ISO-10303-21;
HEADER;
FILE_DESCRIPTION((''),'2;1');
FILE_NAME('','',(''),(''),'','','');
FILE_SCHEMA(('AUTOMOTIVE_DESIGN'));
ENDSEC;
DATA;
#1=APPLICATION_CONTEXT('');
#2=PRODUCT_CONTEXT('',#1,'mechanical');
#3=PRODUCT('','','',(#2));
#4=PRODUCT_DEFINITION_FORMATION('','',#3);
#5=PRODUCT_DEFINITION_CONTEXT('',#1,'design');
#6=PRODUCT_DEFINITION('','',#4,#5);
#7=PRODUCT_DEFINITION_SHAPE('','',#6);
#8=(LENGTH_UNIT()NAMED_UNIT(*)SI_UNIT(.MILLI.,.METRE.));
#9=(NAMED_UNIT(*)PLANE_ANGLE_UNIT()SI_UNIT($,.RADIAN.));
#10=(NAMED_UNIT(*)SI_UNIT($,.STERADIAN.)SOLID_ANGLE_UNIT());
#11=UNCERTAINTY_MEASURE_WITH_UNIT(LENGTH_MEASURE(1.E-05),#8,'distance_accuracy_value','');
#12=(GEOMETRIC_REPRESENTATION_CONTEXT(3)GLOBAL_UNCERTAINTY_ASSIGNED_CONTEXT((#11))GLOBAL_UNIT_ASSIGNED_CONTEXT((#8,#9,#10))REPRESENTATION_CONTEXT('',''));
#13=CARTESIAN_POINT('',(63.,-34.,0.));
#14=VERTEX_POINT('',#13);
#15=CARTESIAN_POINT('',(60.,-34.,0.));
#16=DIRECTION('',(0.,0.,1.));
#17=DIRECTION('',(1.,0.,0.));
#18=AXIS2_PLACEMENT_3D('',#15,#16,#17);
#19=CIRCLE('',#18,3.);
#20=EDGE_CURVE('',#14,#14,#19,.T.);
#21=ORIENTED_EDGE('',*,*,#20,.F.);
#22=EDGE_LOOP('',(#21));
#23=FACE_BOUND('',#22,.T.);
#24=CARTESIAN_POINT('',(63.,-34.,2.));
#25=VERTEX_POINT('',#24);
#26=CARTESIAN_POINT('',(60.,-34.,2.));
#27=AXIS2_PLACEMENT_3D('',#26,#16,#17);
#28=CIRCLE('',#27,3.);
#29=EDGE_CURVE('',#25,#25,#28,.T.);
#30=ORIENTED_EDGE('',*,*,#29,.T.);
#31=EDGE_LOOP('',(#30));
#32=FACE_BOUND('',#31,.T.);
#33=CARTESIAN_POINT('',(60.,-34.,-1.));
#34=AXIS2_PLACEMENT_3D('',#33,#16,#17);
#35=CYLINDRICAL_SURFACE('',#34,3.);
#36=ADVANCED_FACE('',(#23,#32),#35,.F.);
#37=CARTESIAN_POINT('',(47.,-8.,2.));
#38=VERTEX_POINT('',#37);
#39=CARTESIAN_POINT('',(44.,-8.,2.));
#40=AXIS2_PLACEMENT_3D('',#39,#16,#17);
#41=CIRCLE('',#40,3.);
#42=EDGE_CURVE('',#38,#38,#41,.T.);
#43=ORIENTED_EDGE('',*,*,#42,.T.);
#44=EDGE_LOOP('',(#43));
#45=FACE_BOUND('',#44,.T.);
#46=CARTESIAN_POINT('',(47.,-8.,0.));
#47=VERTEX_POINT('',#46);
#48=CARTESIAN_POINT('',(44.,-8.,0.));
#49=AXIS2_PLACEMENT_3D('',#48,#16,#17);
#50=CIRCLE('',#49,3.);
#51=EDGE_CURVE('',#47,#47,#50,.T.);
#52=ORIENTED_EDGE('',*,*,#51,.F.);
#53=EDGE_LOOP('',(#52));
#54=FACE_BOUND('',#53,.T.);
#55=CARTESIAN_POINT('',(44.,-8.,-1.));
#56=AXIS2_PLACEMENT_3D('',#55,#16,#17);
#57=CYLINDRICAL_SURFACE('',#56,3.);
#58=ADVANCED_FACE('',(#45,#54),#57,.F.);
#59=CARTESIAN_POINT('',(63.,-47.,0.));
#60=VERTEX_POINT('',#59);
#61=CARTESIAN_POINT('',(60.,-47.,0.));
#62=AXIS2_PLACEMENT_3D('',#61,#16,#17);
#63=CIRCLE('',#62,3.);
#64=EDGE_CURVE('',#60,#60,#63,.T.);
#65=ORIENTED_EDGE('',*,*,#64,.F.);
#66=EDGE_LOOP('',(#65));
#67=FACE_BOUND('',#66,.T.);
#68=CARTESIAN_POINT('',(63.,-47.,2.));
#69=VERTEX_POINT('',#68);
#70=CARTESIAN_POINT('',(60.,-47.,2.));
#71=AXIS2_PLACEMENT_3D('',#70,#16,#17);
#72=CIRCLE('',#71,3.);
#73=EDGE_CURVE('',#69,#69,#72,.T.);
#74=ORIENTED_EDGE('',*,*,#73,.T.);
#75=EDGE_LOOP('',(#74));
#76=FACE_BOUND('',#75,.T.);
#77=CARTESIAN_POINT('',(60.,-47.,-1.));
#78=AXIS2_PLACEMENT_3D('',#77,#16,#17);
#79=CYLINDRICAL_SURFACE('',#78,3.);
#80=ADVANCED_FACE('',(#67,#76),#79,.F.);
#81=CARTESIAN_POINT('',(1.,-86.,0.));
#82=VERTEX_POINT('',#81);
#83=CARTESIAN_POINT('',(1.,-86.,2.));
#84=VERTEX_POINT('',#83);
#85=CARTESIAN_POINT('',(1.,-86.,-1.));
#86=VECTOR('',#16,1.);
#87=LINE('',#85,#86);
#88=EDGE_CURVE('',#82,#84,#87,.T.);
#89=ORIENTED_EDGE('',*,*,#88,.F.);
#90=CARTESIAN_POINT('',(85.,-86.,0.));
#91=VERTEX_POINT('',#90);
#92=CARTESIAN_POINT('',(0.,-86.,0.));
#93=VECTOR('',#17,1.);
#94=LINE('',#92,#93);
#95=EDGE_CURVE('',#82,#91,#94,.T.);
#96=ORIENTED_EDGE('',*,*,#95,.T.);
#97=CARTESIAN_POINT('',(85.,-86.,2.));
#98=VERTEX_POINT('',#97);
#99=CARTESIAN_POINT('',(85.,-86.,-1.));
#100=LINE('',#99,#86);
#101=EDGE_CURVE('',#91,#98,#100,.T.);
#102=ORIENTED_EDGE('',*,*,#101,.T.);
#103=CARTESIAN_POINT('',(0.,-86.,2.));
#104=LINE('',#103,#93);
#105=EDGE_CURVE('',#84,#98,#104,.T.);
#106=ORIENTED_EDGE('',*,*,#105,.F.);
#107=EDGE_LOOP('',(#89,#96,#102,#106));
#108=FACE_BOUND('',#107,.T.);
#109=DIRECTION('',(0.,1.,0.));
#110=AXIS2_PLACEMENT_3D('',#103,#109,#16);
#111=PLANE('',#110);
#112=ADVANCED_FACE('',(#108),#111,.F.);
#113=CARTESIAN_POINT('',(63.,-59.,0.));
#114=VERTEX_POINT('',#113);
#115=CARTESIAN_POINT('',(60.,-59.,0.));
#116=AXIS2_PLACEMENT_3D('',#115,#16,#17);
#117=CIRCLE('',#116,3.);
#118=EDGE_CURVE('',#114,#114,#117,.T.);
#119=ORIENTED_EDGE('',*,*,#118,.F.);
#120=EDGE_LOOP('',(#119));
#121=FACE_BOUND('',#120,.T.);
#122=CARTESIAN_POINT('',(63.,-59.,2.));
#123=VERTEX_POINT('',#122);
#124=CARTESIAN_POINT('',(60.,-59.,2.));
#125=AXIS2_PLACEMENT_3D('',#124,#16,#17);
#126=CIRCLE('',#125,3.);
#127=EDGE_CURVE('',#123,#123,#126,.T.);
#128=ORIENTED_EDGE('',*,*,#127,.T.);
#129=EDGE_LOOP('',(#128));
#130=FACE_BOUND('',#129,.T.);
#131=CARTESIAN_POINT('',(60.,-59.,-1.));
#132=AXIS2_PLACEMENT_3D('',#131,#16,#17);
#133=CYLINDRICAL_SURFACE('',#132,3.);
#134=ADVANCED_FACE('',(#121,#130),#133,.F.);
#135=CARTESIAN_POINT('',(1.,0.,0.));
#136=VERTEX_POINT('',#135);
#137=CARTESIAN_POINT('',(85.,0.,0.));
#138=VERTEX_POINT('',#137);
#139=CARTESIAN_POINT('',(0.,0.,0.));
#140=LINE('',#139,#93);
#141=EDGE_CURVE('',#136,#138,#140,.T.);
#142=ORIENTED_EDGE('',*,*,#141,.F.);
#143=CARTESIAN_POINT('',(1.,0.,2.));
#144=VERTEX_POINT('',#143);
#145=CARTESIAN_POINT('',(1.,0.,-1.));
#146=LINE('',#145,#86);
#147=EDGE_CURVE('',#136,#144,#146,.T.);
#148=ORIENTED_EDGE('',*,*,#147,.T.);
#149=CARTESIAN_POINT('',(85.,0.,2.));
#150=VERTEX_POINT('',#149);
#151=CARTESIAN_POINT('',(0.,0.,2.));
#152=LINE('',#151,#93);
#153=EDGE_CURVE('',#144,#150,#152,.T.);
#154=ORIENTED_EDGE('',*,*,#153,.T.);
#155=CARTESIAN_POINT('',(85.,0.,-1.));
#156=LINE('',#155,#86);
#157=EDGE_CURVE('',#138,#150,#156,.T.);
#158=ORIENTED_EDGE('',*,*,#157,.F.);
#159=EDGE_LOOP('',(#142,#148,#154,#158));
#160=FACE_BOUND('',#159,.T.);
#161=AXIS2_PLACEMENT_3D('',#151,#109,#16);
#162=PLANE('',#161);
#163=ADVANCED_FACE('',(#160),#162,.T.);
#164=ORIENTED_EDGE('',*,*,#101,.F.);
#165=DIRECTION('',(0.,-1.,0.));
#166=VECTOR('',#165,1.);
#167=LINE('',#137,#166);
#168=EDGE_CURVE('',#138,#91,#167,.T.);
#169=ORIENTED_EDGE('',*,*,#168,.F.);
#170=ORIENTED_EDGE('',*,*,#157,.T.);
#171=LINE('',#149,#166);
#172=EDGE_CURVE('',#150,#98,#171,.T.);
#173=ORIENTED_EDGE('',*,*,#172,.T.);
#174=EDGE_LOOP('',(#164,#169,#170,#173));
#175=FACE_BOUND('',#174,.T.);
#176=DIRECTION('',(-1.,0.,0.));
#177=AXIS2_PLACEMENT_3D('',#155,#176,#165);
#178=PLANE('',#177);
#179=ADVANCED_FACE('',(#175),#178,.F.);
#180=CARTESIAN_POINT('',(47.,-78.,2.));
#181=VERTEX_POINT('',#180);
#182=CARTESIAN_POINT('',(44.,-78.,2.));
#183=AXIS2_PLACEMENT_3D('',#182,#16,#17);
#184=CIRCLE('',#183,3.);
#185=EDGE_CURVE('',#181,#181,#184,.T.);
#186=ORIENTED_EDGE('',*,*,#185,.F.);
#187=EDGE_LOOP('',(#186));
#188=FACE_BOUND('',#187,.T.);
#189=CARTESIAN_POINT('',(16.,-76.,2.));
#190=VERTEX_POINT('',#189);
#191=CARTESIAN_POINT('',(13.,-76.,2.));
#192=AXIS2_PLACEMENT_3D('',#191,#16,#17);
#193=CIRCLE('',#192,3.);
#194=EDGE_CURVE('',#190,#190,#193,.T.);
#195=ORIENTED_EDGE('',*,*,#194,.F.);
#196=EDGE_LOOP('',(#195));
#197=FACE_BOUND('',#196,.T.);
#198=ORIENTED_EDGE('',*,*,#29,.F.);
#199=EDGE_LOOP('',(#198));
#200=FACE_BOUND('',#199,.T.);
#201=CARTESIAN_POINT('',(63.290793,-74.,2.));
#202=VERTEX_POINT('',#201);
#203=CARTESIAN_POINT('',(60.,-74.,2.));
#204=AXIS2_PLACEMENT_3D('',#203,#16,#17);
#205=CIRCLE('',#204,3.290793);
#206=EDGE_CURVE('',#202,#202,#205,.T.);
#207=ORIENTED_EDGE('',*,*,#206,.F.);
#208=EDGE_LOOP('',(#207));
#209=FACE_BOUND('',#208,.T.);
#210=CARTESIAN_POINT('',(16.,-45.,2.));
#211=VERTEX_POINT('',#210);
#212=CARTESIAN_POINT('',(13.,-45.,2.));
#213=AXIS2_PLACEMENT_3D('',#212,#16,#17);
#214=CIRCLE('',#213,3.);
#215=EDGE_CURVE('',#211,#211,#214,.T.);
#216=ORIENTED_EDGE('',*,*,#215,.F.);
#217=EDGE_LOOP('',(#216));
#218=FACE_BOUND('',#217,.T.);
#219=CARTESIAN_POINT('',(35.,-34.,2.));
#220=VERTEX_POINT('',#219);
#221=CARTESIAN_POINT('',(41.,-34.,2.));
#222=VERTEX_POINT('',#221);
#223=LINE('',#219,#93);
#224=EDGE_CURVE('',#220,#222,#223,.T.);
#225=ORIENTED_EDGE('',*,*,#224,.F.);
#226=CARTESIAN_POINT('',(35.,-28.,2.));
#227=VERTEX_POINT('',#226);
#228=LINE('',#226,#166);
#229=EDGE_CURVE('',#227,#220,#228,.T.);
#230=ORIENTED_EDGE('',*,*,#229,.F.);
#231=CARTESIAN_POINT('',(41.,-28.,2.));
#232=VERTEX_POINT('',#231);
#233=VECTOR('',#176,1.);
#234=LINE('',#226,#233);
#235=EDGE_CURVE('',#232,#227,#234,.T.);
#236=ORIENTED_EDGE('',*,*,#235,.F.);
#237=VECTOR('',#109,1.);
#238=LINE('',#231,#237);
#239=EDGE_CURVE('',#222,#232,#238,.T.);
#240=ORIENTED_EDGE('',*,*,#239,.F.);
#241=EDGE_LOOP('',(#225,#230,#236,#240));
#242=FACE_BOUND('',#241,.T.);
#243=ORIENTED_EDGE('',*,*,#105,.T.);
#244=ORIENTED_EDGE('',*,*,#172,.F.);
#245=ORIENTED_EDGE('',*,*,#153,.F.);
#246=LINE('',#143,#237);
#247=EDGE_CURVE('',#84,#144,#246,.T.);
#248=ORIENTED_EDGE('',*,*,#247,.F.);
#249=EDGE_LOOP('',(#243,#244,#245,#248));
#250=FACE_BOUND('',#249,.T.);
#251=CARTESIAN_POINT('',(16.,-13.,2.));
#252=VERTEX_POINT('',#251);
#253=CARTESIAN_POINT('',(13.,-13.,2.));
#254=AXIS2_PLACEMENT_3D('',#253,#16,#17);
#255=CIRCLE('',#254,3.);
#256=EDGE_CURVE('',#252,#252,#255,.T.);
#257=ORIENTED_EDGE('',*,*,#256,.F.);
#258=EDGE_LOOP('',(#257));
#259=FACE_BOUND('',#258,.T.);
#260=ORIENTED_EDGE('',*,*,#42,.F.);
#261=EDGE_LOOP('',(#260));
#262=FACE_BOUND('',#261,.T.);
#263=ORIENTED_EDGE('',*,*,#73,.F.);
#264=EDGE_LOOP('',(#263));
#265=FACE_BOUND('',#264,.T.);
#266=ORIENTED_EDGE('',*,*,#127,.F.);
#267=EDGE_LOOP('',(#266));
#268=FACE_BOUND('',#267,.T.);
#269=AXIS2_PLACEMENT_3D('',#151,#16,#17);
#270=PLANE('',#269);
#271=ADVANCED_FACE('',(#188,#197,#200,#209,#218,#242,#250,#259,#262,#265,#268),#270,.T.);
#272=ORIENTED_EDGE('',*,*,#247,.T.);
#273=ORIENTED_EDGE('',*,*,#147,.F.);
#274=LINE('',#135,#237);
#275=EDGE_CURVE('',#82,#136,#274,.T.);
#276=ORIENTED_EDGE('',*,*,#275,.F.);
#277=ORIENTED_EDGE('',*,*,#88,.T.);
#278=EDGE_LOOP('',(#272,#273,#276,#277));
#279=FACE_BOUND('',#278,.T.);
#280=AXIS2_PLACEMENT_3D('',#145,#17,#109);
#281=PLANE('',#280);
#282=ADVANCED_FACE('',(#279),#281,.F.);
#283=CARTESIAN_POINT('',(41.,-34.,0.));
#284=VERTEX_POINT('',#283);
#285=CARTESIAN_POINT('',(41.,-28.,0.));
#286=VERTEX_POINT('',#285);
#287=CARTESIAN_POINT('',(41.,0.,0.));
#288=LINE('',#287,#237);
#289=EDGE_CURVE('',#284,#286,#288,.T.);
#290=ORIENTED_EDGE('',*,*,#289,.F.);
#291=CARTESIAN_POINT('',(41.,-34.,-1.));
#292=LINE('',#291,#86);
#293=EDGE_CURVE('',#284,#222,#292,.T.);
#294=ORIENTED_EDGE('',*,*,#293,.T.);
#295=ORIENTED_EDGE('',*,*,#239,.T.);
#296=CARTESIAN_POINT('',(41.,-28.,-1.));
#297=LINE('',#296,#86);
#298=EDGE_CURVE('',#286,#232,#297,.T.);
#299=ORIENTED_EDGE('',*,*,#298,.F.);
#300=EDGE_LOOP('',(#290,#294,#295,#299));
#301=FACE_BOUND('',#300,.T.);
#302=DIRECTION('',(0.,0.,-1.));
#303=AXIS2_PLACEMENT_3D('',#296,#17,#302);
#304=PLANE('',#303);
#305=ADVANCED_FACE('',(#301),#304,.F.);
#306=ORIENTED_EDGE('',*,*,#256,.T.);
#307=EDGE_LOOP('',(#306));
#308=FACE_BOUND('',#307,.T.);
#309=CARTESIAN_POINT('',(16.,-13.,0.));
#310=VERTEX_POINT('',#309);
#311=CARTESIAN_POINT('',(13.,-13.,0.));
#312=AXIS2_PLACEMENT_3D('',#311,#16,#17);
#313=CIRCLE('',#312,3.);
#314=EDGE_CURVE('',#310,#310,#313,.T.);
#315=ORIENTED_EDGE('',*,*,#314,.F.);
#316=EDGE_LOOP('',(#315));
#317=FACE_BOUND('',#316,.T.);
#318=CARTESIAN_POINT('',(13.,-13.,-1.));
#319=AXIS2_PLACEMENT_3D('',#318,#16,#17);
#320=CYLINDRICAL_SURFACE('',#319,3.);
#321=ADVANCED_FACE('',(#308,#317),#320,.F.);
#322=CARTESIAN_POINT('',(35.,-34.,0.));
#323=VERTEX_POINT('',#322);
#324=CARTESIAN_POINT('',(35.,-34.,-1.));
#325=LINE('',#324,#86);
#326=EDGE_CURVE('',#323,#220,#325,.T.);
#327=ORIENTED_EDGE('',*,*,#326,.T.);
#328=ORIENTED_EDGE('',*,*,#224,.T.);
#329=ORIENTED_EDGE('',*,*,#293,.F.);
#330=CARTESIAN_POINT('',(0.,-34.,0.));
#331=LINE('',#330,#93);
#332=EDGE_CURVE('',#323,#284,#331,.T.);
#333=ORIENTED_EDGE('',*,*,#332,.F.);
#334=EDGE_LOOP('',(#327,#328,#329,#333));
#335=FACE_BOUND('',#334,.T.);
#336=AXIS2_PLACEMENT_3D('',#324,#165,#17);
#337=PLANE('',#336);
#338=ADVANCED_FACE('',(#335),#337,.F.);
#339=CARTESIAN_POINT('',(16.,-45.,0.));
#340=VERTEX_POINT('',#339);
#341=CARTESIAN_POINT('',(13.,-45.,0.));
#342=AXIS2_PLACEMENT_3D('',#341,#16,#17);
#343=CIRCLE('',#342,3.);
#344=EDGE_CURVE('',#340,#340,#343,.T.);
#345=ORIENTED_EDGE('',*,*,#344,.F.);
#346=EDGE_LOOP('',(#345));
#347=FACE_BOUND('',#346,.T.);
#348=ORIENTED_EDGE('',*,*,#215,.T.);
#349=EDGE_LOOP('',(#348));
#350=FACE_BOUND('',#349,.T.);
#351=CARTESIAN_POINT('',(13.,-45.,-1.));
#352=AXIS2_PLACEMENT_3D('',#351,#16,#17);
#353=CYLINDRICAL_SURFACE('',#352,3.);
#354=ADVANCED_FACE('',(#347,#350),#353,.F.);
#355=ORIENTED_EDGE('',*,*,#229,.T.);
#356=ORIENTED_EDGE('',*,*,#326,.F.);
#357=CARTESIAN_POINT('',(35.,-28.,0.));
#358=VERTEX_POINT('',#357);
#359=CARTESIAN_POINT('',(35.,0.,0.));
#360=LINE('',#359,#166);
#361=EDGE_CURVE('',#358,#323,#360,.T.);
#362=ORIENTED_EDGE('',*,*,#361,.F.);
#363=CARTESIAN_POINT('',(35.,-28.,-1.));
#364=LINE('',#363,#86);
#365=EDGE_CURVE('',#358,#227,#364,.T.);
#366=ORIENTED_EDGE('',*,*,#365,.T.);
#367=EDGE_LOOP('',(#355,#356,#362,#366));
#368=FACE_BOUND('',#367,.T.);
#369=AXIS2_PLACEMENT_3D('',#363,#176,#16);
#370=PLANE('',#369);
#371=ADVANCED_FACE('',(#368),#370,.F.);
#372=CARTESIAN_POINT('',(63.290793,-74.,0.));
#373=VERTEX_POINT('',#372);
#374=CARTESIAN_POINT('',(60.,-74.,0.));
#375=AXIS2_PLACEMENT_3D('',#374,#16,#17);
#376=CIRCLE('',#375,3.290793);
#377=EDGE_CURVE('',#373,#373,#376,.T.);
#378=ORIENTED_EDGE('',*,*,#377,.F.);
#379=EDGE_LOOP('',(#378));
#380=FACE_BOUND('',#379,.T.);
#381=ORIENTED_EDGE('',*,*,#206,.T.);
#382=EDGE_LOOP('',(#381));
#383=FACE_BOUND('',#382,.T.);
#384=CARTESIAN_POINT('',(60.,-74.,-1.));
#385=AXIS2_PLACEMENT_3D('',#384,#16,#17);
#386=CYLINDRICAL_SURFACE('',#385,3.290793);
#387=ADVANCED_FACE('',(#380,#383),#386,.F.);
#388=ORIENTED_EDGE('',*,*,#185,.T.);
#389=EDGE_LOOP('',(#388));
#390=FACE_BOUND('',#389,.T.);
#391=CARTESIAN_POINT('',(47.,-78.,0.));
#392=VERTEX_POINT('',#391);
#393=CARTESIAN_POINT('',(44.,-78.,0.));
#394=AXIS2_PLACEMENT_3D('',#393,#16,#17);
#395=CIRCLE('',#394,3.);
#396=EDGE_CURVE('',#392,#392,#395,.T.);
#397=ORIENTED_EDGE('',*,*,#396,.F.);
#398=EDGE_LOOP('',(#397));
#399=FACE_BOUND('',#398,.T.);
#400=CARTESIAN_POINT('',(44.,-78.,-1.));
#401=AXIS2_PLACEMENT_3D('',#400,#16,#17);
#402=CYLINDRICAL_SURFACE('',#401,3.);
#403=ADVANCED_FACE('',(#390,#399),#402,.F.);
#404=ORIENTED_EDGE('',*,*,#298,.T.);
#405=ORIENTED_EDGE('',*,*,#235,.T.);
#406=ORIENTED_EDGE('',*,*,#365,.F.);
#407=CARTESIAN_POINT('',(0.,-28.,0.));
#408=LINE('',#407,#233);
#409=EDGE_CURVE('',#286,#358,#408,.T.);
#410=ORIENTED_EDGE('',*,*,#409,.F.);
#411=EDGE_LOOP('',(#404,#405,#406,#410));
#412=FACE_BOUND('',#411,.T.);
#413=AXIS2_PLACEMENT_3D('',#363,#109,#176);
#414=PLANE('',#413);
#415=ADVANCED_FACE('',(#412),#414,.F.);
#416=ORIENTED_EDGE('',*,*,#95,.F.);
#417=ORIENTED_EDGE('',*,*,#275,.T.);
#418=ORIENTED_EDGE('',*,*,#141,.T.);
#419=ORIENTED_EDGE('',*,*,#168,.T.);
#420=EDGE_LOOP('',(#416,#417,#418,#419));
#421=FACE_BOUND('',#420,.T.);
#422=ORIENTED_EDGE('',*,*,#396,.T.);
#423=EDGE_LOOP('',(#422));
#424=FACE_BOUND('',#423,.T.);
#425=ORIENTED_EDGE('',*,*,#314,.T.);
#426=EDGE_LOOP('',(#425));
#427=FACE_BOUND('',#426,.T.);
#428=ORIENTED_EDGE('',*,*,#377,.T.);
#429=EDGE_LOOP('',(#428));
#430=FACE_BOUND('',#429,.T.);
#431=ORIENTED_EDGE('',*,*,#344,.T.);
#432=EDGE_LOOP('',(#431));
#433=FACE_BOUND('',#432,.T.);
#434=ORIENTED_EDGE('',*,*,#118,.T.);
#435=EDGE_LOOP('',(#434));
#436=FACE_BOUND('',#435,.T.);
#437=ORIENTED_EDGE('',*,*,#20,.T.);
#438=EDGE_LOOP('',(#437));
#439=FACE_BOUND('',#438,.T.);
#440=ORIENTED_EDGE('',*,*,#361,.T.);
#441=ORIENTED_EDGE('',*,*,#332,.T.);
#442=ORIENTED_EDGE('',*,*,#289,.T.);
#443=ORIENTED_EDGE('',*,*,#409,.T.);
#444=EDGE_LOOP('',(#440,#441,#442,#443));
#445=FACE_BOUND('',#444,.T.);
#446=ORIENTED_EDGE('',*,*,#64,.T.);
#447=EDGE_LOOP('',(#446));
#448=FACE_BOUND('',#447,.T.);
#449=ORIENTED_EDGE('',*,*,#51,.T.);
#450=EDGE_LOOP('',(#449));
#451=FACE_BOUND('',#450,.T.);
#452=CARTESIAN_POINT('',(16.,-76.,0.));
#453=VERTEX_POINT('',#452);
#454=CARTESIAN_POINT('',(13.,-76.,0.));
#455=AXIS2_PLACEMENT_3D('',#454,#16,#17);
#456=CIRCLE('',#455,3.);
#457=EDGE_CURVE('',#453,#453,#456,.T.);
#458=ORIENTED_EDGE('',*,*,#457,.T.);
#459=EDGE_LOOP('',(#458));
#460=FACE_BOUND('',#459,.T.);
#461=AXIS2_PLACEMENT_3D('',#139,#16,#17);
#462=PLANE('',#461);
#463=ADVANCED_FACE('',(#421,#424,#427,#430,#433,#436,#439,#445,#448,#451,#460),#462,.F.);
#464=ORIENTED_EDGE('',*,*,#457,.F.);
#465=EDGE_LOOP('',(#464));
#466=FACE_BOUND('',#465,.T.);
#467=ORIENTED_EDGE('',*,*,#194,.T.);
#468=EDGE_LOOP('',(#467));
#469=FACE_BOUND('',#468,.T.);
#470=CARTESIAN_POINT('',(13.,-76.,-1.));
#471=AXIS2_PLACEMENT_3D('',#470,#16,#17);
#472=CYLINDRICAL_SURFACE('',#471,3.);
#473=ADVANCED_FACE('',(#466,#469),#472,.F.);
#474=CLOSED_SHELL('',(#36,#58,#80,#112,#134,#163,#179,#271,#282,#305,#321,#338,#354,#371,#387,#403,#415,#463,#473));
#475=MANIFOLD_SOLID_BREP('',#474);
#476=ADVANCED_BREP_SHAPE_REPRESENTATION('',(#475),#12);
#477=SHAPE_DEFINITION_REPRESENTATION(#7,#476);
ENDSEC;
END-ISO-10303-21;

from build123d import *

# Parameters (mm, degrees)
SKETCH_1_W           = 86
SKETCH_1_H           = 86
EXTRUDE_1_DEPTH      = 2
SKETCH_2_R           = 3
CUT_EXTRUDE_1_DEPTH  = 3
SKETCH_3_R           = 3
CUT_EXTRUDE_2_DEPTH  = 3
SKETCH_4_R           = 3
CUT_EXTRUDE_3_DEPTH  = 3
SKETCH_6_R           = 3
CUT_EXTRUDE_4_DEPTH  = 3
SKETCH_7_R           = 3
CUT_EXTRUDE_5_DEPTH  = 3
SKETCH_8_R           = 3
CUT_EXTRUDE_6_DEPTH  = 3
SKETCH_9_R           = 3
CUT_EXTRUDE_7_DEPTH  = 3
SKETCH_10_R          = 3
CUT_EXTRUDE_8_DEPTH  = 3
SKETCH_11_R          = 3.290793372
CUT_EXTRUDE_9_DEPTH  = 3
SKETCH_12_W          = 6
SKETCH_12_H          = 6
CUT_EXTRUDE_10_DEPTH = 3
SKETCH_13_W          = 1
SKETCH_13_H          = 86
CUT_EXTRUDE_11_DEPTH = 3


with BuildPart() as part:
    # 草圖1 → 填料-伸長1 (new body)
    with BuildSketch(Plane.XY):
        with Locations((43, -43)):
            Rectangle(SKETCH_1_W, SKETCH_1_H)
    extrude(amount=EXTRUDE_1_DEPTH)

    # 草圖2 → 除料-伸長1 (cut)
    with BuildSketch(Plane.XY.offset(2)):
        with Locations((13, -13)):
            Circle(SKETCH_2_R)
    extrude(amount=-CUT_EXTRUDE_1_DEPTH, mode=Mode.SUBTRACT)

    # 草圖3 → 除料-伸長2 (cut)
    with BuildSketch(Plane.XY.offset(2)):
        with Locations((13, -45)):
            Circle(SKETCH_3_R)
    extrude(amount=-CUT_EXTRUDE_2_DEPTH, mode=Mode.SUBTRACT)

    # 草圖4 → 除料-伸長3 (cut)
    with BuildSketch(Plane.XY.offset(2)):
        with Locations((13, -76)):
            Circle(SKETCH_4_R)
    extrude(amount=-CUT_EXTRUDE_3_DEPTH, mode=Mode.SUBTRACT)

    # 草圖6 → 除料-伸長4 (cut)
    with BuildSketch(Plane.XY.offset(2)):
        with Locations((44, -8)):
            Circle(SKETCH_6_R)
    extrude(amount=-CUT_EXTRUDE_4_DEPTH, mode=Mode.SUBTRACT)

    # 草圖7 → 除料-伸長5 (cut)
    with BuildSketch(Plane.XY.offset(2)):
        with Locations((44, -78)):
            Circle(SKETCH_7_R)
    extrude(amount=-CUT_EXTRUDE_5_DEPTH, mode=Mode.SUBTRACT)

    # 草圖8 → 除料-伸長6 (cut)
    with BuildSketch(Plane.XY.offset(2)):
        with Locations((60, -34)):
            Circle(SKETCH_8_R)
    extrude(amount=-CUT_EXTRUDE_6_DEPTH, mode=Mode.SUBTRACT)

    # 草圖9 → 除料-伸長7 (cut)
    with BuildSketch(Plane.XY.offset(2)):
        with Locations((60, -47)):
            Circle(SKETCH_9_R)
    extrude(amount=-CUT_EXTRUDE_7_DEPTH, mode=Mode.SUBTRACT)

    # 草圖10 → 除料-伸長8 (cut)
    with BuildSketch(Plane.XY.offset(2)):
        with Locations((60, -59)):
            Circle(SKETCH_10_R)
    extrude(amount=-CUT_EXTRUDE_8_DEPTH, mode=Mode.SUBTRACT)

    # 草圖11 → 除料-伸長9 (cut)
    with BuildSketch(Plane.XY.offset(2)):
        with Locations((60, -74)):
            Circle(SKETCH_11_R)
    extrude(amount=-CUT_EXTRUDE_9_DEPTH, mode=Mode.SUBTRACT)

    # 草圖12 → 除料-伸長10 (cut)
    with BuildSketch(Plane.XY.offset(2)):
        with Locations((38, -31)):
            Rectangle(SKETCH_12_W, SKETCH_12_H)
    extrude(amount=-CUT_EXTRUDE_10_DEPTH, mode=Mode.SUBTRACT)

    # 草圖13 → 除料-伸長11 (cut)
    with BuildSketch(Plane.XY.offset(2)):
        with Locations((85.5, -43)):
            Rectangle(SKETCH_13_W, SKETCH_13_H)
        with Locations((0.5, -43)):
            Rectangle(SKETCH_13_W, SKETCH_13_H)
    extrude(amount=-CUT_EXTRUDE_11_DEPTH, mode=Mode.SUBTRACT)


solid = part.part
